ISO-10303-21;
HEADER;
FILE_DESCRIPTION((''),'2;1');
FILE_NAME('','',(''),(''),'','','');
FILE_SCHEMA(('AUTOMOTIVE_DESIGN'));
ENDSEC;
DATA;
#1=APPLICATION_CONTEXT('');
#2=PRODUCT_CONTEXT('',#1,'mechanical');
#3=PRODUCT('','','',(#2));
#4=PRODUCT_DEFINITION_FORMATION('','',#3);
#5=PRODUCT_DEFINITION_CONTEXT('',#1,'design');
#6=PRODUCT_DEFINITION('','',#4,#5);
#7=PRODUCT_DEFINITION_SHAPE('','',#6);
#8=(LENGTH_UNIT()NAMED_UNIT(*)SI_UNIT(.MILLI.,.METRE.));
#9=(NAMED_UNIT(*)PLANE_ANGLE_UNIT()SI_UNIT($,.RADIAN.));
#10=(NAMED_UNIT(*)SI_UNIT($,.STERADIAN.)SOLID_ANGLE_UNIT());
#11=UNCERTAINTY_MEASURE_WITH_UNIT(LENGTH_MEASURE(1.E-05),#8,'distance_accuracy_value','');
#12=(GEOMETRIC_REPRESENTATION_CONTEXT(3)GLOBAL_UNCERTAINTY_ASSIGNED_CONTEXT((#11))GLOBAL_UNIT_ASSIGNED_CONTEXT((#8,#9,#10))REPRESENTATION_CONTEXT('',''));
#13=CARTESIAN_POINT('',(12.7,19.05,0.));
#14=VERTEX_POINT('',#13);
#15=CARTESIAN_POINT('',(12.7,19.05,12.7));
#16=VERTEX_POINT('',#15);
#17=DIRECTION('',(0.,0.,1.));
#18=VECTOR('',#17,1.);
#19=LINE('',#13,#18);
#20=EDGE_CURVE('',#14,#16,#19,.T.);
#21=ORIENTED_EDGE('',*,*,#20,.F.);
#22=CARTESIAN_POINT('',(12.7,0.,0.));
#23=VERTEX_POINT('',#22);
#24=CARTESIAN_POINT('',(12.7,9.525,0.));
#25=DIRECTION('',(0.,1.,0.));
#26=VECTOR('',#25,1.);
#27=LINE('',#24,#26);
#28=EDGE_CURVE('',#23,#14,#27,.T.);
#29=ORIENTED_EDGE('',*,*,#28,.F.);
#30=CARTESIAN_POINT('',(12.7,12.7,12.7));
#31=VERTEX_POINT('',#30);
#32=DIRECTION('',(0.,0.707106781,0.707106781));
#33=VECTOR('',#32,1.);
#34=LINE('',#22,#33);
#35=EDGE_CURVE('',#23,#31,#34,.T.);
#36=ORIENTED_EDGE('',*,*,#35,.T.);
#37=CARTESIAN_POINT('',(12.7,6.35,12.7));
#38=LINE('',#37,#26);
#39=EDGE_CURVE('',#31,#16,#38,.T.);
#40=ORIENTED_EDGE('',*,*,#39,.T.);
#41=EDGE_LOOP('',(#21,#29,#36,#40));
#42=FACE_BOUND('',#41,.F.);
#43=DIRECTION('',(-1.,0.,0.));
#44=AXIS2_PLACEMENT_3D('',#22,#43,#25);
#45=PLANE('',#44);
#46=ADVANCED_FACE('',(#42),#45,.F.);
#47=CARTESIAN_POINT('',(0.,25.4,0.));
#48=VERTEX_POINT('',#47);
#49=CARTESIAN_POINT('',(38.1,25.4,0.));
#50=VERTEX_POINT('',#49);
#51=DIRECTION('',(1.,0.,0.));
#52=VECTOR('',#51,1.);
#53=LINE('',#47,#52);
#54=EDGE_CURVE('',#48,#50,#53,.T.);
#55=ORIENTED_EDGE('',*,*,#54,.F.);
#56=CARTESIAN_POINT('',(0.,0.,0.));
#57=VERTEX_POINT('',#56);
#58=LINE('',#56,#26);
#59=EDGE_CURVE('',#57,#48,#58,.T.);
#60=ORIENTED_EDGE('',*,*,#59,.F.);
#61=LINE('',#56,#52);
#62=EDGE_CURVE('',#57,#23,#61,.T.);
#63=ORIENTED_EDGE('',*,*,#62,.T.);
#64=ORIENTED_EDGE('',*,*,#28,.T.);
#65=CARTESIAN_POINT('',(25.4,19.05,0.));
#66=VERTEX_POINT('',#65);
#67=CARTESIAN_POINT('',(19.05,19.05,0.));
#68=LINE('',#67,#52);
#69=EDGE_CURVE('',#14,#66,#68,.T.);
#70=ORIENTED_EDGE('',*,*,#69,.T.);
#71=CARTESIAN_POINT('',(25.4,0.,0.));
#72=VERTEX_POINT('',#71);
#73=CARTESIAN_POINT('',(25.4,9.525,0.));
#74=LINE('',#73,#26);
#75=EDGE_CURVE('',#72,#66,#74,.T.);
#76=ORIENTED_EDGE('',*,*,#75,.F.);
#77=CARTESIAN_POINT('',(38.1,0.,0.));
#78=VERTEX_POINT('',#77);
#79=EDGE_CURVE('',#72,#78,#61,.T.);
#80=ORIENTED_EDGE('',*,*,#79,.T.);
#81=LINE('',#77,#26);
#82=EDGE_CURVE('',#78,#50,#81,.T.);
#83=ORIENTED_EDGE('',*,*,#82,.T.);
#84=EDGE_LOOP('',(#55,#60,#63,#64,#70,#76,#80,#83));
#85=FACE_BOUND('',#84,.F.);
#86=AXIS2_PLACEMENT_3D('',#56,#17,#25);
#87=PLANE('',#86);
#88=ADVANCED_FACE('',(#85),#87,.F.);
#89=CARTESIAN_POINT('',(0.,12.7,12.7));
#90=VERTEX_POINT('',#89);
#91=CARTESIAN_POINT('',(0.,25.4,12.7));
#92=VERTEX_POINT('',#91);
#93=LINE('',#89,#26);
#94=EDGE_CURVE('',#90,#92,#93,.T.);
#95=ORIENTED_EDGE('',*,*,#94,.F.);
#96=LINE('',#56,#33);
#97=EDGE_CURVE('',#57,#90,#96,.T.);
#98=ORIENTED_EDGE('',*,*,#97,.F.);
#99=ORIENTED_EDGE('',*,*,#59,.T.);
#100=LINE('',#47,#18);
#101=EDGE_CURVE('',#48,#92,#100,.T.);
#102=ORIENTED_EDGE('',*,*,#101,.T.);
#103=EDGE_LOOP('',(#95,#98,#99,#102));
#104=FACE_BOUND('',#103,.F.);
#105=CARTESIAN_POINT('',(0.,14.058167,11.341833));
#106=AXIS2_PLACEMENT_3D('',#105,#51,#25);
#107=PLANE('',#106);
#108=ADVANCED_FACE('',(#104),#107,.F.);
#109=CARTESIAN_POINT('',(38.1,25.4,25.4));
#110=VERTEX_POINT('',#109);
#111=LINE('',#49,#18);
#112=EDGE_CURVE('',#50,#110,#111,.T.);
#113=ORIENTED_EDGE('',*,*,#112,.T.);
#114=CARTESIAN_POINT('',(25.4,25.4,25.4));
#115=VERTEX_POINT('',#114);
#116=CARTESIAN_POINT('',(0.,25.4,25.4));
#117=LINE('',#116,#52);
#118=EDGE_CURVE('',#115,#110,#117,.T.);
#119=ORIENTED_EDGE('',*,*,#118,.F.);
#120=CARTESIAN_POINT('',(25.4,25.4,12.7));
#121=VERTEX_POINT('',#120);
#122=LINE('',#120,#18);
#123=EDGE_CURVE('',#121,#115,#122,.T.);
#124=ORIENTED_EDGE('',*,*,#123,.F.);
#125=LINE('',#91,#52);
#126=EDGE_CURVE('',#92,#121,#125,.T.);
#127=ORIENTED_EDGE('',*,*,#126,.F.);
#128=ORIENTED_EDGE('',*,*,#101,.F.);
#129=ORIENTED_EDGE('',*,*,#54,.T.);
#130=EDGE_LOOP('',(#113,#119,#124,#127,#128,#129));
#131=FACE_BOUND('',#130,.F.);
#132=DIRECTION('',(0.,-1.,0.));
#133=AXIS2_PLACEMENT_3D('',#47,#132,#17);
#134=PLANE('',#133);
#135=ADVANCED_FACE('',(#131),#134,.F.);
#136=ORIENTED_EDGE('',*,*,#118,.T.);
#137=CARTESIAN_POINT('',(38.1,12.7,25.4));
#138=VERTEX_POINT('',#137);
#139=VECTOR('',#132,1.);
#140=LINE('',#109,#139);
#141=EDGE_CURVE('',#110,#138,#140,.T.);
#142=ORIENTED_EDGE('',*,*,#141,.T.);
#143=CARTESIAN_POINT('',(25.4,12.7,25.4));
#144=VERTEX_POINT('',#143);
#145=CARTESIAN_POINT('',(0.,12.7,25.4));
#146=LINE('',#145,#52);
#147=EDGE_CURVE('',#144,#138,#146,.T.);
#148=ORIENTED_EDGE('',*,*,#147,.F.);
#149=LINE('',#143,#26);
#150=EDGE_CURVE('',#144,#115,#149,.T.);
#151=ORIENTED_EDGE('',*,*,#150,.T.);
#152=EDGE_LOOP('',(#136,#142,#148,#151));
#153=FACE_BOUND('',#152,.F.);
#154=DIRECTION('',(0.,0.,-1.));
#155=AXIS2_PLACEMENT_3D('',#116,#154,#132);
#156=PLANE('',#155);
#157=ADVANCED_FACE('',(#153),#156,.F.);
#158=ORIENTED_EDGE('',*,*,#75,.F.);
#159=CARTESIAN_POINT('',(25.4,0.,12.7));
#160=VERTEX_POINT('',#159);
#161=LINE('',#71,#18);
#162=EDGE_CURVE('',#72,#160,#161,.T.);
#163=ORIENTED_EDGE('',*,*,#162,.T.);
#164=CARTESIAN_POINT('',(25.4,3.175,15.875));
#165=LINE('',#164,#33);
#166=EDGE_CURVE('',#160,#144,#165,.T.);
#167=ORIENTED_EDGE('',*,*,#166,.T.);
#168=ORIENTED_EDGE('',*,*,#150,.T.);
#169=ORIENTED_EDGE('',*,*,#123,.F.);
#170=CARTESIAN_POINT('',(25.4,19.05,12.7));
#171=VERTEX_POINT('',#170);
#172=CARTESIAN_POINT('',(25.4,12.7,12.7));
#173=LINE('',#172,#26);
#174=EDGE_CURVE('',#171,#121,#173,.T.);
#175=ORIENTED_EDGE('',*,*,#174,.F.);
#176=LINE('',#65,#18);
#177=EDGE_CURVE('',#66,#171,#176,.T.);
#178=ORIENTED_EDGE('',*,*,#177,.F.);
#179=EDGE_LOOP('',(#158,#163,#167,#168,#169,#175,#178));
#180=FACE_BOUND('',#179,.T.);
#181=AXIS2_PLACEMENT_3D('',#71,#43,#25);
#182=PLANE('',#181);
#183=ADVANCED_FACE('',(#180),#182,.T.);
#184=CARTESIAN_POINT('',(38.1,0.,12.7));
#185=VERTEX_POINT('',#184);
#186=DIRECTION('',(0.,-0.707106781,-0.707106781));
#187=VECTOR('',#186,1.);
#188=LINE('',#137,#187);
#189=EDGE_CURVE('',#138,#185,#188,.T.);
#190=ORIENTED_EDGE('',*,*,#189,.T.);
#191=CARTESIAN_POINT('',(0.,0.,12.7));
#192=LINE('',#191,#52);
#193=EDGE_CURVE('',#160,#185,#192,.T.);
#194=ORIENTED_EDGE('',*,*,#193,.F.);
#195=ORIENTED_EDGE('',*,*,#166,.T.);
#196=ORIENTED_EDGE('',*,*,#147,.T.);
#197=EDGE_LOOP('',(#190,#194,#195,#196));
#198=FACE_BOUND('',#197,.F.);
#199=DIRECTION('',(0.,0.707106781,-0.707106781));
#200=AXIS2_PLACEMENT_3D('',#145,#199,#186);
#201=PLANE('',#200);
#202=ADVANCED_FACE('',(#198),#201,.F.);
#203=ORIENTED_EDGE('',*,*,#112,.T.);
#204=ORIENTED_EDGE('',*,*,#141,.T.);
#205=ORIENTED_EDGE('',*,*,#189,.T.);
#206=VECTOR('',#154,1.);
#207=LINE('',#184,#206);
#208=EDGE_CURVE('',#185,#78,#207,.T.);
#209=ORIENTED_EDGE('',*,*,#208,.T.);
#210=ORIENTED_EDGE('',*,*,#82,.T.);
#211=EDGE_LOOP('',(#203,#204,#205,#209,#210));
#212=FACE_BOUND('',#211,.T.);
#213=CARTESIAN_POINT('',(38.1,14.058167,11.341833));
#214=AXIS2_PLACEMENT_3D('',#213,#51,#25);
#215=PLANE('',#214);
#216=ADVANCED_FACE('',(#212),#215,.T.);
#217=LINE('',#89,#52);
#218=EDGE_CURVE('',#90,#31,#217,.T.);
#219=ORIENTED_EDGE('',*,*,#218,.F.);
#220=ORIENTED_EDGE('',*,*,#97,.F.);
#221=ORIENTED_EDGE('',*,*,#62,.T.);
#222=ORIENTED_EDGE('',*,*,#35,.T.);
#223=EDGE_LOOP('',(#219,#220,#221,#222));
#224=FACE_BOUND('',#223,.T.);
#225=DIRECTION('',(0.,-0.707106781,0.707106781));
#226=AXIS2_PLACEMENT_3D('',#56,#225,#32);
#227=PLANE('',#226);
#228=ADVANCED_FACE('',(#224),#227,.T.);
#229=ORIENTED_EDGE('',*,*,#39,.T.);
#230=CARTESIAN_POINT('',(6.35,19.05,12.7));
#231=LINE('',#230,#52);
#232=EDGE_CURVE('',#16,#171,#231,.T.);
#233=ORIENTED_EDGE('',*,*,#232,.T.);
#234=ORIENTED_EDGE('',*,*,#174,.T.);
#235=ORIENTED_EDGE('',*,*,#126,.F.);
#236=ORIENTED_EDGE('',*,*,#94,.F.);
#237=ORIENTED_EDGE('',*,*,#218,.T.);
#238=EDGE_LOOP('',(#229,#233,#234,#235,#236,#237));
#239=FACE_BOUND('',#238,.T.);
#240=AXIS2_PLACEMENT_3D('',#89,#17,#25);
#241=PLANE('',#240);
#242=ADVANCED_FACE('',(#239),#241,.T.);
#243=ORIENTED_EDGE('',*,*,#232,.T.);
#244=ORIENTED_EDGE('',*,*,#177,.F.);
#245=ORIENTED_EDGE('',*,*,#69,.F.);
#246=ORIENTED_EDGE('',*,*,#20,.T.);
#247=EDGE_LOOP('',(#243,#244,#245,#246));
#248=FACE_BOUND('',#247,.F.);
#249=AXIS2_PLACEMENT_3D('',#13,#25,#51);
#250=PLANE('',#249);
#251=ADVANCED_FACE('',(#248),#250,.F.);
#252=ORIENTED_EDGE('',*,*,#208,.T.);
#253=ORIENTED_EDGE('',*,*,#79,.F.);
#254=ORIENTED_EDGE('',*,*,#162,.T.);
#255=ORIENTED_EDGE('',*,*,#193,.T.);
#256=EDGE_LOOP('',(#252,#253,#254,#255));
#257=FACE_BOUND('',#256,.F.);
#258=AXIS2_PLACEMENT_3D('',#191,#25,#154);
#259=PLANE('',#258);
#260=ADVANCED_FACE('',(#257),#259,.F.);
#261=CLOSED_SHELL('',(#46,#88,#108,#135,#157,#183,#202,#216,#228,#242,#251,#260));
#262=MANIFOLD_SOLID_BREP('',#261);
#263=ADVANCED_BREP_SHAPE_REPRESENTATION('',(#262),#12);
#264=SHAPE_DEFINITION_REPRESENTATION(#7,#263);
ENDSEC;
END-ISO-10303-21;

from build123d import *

# Parameters (mm, degrees)
F1_DEPTH = 38.1
F2_W     = 12.7
F2_H     = 19.05
F3_DEPTH = 25.4
F5_DEPTH = 25.4


with BuildPart() as f1:
    # F0 (on Right) → F1 (new body)
    with BuildSketch(Plane.YZ):
        Polygon((0, 12.7), (0, 0), (25.4, 0), (25.4, 25.4), (12.7, 25.4), align=None)
    extrude(amount=F1_DEPTH)

    # F2 (on Top) → F3 (cut)
    with BuildSketch(Plane.XY):
        with Locations((19.05, 9.525)):
            Rectangle(F2_W, F2_H)
    extrude(amount=F3_DEPTH, mode=Mode.SUBTRACT)

    # F4 (on Right) → F5 (cut)
    with BuildSketch(Plane.YZ):
        Polygon((0, 25.4), (0, 0), (12.7, 12.7), (25.4, 12.7), (25.4, 25.4), align=None)
    extrude(amount=F5_DEPTH, mode=Mode.SUBTRACT)


solid = f1.part
